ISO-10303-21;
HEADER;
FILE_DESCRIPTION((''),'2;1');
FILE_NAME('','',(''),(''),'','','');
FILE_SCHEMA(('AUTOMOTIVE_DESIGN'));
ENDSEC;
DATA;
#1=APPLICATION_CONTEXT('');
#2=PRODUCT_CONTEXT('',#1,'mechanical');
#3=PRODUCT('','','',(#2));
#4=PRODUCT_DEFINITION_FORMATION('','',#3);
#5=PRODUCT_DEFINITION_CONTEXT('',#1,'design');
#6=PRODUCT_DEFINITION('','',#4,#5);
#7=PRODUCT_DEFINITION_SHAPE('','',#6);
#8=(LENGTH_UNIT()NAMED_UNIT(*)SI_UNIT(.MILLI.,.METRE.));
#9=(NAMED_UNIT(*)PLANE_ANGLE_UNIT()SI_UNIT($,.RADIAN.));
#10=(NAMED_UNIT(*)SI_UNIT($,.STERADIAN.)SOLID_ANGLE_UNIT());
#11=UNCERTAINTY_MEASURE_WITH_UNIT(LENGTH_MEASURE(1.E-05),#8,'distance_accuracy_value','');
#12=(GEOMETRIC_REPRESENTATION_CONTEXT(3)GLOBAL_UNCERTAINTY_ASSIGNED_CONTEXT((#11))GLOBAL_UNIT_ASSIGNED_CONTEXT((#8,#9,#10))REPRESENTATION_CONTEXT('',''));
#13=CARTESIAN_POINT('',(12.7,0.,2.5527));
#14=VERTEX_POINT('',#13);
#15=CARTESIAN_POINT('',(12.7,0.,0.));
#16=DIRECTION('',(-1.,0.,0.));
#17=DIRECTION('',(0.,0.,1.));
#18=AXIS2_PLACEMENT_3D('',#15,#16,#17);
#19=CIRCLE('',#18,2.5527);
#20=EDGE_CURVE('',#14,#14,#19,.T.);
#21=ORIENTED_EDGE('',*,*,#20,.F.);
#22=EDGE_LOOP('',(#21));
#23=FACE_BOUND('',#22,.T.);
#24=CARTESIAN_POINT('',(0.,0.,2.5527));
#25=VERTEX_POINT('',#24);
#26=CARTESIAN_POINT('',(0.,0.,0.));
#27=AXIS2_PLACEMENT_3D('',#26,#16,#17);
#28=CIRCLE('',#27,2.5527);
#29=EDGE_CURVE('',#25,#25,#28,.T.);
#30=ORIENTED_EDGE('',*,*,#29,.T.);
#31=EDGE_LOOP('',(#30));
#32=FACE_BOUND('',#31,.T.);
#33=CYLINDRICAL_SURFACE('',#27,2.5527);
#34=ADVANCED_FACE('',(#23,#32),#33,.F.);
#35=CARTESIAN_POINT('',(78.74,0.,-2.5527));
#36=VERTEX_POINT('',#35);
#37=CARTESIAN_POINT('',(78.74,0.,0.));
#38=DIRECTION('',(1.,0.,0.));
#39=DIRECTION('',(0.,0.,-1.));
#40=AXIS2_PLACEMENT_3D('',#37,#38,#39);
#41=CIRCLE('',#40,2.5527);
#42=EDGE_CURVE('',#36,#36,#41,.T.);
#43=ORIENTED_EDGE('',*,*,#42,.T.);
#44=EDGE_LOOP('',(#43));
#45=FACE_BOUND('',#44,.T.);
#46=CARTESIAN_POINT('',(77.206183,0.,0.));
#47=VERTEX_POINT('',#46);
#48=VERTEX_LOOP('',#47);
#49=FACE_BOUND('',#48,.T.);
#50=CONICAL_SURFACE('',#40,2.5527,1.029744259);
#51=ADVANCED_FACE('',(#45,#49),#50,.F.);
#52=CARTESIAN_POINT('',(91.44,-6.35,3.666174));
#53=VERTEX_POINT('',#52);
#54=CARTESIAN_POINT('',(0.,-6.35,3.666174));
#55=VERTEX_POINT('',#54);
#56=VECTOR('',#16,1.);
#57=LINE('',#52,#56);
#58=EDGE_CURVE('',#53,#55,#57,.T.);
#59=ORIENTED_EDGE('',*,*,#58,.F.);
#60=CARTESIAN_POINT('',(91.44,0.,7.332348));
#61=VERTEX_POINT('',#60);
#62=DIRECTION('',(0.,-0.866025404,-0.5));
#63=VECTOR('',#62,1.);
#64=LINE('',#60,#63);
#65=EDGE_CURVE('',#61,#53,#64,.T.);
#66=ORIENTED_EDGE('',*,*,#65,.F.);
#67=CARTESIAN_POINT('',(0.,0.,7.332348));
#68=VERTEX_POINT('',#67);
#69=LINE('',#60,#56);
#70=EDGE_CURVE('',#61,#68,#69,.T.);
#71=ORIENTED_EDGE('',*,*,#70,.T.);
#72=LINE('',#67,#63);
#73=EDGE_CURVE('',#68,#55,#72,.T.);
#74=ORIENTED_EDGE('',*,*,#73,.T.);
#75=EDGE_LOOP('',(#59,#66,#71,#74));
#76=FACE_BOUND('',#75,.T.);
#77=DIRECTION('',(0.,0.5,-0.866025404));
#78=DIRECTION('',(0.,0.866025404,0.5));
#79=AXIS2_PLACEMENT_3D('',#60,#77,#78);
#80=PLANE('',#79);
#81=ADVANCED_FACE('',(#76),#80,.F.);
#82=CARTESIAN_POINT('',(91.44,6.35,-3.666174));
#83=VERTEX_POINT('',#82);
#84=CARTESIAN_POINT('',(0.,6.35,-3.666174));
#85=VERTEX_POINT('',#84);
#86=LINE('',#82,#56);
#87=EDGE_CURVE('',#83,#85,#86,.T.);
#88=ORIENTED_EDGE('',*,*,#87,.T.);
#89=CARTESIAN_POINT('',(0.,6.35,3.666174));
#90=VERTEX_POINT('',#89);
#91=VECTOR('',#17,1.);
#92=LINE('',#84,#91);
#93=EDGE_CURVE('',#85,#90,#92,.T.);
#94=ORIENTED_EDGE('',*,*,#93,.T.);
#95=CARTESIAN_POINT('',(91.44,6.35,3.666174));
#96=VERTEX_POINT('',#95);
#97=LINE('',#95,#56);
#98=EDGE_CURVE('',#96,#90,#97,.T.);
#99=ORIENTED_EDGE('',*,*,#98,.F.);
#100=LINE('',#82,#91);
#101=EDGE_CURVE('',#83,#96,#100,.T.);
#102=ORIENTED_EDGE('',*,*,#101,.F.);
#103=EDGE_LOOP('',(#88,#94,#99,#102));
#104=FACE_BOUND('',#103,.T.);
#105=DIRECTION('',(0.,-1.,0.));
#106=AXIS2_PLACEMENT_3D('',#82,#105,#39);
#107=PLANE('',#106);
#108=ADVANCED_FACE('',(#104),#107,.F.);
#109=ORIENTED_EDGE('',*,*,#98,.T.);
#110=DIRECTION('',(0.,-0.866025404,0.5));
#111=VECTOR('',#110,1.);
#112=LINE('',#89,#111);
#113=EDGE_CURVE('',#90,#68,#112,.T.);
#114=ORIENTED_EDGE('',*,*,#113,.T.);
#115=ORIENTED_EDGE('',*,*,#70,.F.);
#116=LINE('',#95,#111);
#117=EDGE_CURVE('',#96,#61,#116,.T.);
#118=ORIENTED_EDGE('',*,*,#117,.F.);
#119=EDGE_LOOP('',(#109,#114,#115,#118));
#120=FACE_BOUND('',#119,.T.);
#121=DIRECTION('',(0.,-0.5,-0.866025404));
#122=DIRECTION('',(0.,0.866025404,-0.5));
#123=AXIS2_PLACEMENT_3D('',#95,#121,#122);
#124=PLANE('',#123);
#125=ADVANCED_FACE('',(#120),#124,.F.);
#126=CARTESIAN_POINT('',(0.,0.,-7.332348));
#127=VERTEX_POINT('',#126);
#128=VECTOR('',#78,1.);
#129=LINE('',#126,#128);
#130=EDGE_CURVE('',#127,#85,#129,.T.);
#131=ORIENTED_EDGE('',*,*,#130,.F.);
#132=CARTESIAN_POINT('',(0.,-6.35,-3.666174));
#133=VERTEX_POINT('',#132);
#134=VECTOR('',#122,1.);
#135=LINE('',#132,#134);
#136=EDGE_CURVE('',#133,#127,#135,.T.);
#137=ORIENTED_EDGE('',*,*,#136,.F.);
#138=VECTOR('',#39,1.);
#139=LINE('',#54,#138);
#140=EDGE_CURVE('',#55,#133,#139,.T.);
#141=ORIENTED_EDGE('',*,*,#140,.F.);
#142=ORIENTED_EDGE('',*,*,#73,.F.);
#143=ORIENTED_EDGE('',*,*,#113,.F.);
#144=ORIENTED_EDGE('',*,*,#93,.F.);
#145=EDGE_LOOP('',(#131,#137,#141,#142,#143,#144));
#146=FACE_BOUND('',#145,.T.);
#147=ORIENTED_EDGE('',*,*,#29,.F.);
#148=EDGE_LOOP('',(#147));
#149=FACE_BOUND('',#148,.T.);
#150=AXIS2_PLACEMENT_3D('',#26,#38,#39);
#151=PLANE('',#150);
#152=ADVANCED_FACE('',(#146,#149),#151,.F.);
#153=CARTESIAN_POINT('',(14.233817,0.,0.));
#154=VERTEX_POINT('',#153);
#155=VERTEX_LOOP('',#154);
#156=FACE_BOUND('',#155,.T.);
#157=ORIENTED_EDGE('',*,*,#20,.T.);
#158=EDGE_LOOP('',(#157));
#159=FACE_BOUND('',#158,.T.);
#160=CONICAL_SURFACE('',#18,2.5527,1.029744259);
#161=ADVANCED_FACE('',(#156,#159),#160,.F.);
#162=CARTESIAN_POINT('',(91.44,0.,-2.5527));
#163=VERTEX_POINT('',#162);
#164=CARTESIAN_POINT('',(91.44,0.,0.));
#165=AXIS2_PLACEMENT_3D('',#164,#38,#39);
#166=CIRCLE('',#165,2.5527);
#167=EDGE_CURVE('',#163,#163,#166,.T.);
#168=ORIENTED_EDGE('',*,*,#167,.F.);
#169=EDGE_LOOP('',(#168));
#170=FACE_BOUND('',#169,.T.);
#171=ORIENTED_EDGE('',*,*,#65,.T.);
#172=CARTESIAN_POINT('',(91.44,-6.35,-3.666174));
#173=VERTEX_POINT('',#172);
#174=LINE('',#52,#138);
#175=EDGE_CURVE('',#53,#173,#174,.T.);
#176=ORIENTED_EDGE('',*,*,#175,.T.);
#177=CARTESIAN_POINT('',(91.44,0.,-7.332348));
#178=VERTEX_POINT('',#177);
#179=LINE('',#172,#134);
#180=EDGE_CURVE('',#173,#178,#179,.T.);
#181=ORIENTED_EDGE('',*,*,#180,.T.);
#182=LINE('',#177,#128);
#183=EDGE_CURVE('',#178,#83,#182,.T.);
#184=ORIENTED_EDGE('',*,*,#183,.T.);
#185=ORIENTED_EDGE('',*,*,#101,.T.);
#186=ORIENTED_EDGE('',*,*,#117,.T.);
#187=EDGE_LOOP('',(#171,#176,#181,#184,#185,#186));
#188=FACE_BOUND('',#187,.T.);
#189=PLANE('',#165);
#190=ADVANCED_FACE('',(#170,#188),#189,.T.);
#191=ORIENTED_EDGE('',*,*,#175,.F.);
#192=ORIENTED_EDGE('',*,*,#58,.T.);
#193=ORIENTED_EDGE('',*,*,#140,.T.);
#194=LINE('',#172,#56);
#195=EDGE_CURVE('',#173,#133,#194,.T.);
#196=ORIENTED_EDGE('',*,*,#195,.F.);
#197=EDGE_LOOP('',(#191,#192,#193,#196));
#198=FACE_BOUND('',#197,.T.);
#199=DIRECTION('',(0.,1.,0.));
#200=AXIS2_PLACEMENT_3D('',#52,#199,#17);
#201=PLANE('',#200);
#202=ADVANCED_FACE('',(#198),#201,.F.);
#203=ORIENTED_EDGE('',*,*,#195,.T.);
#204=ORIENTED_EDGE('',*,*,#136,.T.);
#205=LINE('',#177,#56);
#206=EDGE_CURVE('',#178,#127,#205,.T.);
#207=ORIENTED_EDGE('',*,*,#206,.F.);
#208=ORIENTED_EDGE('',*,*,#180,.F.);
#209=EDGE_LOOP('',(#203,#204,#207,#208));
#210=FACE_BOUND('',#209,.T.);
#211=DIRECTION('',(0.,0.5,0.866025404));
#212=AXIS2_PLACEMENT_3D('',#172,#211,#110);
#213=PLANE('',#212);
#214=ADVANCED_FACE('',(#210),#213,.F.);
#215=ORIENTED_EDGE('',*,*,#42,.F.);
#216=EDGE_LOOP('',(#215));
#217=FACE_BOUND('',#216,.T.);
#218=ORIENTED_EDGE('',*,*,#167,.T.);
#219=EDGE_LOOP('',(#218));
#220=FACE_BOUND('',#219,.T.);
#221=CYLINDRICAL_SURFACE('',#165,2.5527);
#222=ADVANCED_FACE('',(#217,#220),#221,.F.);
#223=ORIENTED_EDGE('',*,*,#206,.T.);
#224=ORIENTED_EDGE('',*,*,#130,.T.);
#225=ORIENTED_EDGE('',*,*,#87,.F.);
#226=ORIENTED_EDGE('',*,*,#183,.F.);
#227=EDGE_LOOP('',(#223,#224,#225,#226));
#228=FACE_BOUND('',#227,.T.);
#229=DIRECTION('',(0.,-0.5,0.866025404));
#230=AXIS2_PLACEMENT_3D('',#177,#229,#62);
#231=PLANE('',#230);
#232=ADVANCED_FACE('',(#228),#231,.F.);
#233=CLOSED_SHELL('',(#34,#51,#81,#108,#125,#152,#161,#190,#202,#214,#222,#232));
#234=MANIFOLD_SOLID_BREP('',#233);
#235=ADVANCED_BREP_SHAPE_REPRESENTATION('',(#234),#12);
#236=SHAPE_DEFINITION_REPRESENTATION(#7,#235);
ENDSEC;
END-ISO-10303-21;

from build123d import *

# Parameters (mm, degrees)
BOSS_EXTRUDE1_DEPTH = 91.44


with BuildPart() as part:
    # Sketch1 → Boss-Extrude1 (new body)
    with BuildSketch(Plane(origin=(0, 0, 0), x_dir=(0, 0, -1), z_dir=(1, 0, 0))):
        Polygon((7.332348419, 0), (3.666174209, 6.35), (-3.666174209, 6.35), (-7.332348419, 0), (-3.666174209, -6.35), (3.666174209, -6.35), align=None)
    extrude(amount=BOSS_EXTRUDE1_DEPTH)

    # Sketch3 → Tap Drill for 1/4-20 Tap1 (revolve, cut)
    with BuildSketch(Plane.ZX):
        Polygon((0, 0), (0, 14.233816902), (2.5527, 12.7), (2.5527, 0), align=None)
    tap_drill_for_1_4_20_tap1 = revolve(axis=Axis((-6.35, 0, 0), (1, 0, 0)), mode=Mode.SUBTRACT)

    # Mirror1: Tap Drill for 1/4-20 Tap1 across plane
    add(tap_drill_for_1_4_20_tap1.mirror(Plane.ZY.offset(-45.72)), mode=Mode.SUBTRACT)


solid = part.part
